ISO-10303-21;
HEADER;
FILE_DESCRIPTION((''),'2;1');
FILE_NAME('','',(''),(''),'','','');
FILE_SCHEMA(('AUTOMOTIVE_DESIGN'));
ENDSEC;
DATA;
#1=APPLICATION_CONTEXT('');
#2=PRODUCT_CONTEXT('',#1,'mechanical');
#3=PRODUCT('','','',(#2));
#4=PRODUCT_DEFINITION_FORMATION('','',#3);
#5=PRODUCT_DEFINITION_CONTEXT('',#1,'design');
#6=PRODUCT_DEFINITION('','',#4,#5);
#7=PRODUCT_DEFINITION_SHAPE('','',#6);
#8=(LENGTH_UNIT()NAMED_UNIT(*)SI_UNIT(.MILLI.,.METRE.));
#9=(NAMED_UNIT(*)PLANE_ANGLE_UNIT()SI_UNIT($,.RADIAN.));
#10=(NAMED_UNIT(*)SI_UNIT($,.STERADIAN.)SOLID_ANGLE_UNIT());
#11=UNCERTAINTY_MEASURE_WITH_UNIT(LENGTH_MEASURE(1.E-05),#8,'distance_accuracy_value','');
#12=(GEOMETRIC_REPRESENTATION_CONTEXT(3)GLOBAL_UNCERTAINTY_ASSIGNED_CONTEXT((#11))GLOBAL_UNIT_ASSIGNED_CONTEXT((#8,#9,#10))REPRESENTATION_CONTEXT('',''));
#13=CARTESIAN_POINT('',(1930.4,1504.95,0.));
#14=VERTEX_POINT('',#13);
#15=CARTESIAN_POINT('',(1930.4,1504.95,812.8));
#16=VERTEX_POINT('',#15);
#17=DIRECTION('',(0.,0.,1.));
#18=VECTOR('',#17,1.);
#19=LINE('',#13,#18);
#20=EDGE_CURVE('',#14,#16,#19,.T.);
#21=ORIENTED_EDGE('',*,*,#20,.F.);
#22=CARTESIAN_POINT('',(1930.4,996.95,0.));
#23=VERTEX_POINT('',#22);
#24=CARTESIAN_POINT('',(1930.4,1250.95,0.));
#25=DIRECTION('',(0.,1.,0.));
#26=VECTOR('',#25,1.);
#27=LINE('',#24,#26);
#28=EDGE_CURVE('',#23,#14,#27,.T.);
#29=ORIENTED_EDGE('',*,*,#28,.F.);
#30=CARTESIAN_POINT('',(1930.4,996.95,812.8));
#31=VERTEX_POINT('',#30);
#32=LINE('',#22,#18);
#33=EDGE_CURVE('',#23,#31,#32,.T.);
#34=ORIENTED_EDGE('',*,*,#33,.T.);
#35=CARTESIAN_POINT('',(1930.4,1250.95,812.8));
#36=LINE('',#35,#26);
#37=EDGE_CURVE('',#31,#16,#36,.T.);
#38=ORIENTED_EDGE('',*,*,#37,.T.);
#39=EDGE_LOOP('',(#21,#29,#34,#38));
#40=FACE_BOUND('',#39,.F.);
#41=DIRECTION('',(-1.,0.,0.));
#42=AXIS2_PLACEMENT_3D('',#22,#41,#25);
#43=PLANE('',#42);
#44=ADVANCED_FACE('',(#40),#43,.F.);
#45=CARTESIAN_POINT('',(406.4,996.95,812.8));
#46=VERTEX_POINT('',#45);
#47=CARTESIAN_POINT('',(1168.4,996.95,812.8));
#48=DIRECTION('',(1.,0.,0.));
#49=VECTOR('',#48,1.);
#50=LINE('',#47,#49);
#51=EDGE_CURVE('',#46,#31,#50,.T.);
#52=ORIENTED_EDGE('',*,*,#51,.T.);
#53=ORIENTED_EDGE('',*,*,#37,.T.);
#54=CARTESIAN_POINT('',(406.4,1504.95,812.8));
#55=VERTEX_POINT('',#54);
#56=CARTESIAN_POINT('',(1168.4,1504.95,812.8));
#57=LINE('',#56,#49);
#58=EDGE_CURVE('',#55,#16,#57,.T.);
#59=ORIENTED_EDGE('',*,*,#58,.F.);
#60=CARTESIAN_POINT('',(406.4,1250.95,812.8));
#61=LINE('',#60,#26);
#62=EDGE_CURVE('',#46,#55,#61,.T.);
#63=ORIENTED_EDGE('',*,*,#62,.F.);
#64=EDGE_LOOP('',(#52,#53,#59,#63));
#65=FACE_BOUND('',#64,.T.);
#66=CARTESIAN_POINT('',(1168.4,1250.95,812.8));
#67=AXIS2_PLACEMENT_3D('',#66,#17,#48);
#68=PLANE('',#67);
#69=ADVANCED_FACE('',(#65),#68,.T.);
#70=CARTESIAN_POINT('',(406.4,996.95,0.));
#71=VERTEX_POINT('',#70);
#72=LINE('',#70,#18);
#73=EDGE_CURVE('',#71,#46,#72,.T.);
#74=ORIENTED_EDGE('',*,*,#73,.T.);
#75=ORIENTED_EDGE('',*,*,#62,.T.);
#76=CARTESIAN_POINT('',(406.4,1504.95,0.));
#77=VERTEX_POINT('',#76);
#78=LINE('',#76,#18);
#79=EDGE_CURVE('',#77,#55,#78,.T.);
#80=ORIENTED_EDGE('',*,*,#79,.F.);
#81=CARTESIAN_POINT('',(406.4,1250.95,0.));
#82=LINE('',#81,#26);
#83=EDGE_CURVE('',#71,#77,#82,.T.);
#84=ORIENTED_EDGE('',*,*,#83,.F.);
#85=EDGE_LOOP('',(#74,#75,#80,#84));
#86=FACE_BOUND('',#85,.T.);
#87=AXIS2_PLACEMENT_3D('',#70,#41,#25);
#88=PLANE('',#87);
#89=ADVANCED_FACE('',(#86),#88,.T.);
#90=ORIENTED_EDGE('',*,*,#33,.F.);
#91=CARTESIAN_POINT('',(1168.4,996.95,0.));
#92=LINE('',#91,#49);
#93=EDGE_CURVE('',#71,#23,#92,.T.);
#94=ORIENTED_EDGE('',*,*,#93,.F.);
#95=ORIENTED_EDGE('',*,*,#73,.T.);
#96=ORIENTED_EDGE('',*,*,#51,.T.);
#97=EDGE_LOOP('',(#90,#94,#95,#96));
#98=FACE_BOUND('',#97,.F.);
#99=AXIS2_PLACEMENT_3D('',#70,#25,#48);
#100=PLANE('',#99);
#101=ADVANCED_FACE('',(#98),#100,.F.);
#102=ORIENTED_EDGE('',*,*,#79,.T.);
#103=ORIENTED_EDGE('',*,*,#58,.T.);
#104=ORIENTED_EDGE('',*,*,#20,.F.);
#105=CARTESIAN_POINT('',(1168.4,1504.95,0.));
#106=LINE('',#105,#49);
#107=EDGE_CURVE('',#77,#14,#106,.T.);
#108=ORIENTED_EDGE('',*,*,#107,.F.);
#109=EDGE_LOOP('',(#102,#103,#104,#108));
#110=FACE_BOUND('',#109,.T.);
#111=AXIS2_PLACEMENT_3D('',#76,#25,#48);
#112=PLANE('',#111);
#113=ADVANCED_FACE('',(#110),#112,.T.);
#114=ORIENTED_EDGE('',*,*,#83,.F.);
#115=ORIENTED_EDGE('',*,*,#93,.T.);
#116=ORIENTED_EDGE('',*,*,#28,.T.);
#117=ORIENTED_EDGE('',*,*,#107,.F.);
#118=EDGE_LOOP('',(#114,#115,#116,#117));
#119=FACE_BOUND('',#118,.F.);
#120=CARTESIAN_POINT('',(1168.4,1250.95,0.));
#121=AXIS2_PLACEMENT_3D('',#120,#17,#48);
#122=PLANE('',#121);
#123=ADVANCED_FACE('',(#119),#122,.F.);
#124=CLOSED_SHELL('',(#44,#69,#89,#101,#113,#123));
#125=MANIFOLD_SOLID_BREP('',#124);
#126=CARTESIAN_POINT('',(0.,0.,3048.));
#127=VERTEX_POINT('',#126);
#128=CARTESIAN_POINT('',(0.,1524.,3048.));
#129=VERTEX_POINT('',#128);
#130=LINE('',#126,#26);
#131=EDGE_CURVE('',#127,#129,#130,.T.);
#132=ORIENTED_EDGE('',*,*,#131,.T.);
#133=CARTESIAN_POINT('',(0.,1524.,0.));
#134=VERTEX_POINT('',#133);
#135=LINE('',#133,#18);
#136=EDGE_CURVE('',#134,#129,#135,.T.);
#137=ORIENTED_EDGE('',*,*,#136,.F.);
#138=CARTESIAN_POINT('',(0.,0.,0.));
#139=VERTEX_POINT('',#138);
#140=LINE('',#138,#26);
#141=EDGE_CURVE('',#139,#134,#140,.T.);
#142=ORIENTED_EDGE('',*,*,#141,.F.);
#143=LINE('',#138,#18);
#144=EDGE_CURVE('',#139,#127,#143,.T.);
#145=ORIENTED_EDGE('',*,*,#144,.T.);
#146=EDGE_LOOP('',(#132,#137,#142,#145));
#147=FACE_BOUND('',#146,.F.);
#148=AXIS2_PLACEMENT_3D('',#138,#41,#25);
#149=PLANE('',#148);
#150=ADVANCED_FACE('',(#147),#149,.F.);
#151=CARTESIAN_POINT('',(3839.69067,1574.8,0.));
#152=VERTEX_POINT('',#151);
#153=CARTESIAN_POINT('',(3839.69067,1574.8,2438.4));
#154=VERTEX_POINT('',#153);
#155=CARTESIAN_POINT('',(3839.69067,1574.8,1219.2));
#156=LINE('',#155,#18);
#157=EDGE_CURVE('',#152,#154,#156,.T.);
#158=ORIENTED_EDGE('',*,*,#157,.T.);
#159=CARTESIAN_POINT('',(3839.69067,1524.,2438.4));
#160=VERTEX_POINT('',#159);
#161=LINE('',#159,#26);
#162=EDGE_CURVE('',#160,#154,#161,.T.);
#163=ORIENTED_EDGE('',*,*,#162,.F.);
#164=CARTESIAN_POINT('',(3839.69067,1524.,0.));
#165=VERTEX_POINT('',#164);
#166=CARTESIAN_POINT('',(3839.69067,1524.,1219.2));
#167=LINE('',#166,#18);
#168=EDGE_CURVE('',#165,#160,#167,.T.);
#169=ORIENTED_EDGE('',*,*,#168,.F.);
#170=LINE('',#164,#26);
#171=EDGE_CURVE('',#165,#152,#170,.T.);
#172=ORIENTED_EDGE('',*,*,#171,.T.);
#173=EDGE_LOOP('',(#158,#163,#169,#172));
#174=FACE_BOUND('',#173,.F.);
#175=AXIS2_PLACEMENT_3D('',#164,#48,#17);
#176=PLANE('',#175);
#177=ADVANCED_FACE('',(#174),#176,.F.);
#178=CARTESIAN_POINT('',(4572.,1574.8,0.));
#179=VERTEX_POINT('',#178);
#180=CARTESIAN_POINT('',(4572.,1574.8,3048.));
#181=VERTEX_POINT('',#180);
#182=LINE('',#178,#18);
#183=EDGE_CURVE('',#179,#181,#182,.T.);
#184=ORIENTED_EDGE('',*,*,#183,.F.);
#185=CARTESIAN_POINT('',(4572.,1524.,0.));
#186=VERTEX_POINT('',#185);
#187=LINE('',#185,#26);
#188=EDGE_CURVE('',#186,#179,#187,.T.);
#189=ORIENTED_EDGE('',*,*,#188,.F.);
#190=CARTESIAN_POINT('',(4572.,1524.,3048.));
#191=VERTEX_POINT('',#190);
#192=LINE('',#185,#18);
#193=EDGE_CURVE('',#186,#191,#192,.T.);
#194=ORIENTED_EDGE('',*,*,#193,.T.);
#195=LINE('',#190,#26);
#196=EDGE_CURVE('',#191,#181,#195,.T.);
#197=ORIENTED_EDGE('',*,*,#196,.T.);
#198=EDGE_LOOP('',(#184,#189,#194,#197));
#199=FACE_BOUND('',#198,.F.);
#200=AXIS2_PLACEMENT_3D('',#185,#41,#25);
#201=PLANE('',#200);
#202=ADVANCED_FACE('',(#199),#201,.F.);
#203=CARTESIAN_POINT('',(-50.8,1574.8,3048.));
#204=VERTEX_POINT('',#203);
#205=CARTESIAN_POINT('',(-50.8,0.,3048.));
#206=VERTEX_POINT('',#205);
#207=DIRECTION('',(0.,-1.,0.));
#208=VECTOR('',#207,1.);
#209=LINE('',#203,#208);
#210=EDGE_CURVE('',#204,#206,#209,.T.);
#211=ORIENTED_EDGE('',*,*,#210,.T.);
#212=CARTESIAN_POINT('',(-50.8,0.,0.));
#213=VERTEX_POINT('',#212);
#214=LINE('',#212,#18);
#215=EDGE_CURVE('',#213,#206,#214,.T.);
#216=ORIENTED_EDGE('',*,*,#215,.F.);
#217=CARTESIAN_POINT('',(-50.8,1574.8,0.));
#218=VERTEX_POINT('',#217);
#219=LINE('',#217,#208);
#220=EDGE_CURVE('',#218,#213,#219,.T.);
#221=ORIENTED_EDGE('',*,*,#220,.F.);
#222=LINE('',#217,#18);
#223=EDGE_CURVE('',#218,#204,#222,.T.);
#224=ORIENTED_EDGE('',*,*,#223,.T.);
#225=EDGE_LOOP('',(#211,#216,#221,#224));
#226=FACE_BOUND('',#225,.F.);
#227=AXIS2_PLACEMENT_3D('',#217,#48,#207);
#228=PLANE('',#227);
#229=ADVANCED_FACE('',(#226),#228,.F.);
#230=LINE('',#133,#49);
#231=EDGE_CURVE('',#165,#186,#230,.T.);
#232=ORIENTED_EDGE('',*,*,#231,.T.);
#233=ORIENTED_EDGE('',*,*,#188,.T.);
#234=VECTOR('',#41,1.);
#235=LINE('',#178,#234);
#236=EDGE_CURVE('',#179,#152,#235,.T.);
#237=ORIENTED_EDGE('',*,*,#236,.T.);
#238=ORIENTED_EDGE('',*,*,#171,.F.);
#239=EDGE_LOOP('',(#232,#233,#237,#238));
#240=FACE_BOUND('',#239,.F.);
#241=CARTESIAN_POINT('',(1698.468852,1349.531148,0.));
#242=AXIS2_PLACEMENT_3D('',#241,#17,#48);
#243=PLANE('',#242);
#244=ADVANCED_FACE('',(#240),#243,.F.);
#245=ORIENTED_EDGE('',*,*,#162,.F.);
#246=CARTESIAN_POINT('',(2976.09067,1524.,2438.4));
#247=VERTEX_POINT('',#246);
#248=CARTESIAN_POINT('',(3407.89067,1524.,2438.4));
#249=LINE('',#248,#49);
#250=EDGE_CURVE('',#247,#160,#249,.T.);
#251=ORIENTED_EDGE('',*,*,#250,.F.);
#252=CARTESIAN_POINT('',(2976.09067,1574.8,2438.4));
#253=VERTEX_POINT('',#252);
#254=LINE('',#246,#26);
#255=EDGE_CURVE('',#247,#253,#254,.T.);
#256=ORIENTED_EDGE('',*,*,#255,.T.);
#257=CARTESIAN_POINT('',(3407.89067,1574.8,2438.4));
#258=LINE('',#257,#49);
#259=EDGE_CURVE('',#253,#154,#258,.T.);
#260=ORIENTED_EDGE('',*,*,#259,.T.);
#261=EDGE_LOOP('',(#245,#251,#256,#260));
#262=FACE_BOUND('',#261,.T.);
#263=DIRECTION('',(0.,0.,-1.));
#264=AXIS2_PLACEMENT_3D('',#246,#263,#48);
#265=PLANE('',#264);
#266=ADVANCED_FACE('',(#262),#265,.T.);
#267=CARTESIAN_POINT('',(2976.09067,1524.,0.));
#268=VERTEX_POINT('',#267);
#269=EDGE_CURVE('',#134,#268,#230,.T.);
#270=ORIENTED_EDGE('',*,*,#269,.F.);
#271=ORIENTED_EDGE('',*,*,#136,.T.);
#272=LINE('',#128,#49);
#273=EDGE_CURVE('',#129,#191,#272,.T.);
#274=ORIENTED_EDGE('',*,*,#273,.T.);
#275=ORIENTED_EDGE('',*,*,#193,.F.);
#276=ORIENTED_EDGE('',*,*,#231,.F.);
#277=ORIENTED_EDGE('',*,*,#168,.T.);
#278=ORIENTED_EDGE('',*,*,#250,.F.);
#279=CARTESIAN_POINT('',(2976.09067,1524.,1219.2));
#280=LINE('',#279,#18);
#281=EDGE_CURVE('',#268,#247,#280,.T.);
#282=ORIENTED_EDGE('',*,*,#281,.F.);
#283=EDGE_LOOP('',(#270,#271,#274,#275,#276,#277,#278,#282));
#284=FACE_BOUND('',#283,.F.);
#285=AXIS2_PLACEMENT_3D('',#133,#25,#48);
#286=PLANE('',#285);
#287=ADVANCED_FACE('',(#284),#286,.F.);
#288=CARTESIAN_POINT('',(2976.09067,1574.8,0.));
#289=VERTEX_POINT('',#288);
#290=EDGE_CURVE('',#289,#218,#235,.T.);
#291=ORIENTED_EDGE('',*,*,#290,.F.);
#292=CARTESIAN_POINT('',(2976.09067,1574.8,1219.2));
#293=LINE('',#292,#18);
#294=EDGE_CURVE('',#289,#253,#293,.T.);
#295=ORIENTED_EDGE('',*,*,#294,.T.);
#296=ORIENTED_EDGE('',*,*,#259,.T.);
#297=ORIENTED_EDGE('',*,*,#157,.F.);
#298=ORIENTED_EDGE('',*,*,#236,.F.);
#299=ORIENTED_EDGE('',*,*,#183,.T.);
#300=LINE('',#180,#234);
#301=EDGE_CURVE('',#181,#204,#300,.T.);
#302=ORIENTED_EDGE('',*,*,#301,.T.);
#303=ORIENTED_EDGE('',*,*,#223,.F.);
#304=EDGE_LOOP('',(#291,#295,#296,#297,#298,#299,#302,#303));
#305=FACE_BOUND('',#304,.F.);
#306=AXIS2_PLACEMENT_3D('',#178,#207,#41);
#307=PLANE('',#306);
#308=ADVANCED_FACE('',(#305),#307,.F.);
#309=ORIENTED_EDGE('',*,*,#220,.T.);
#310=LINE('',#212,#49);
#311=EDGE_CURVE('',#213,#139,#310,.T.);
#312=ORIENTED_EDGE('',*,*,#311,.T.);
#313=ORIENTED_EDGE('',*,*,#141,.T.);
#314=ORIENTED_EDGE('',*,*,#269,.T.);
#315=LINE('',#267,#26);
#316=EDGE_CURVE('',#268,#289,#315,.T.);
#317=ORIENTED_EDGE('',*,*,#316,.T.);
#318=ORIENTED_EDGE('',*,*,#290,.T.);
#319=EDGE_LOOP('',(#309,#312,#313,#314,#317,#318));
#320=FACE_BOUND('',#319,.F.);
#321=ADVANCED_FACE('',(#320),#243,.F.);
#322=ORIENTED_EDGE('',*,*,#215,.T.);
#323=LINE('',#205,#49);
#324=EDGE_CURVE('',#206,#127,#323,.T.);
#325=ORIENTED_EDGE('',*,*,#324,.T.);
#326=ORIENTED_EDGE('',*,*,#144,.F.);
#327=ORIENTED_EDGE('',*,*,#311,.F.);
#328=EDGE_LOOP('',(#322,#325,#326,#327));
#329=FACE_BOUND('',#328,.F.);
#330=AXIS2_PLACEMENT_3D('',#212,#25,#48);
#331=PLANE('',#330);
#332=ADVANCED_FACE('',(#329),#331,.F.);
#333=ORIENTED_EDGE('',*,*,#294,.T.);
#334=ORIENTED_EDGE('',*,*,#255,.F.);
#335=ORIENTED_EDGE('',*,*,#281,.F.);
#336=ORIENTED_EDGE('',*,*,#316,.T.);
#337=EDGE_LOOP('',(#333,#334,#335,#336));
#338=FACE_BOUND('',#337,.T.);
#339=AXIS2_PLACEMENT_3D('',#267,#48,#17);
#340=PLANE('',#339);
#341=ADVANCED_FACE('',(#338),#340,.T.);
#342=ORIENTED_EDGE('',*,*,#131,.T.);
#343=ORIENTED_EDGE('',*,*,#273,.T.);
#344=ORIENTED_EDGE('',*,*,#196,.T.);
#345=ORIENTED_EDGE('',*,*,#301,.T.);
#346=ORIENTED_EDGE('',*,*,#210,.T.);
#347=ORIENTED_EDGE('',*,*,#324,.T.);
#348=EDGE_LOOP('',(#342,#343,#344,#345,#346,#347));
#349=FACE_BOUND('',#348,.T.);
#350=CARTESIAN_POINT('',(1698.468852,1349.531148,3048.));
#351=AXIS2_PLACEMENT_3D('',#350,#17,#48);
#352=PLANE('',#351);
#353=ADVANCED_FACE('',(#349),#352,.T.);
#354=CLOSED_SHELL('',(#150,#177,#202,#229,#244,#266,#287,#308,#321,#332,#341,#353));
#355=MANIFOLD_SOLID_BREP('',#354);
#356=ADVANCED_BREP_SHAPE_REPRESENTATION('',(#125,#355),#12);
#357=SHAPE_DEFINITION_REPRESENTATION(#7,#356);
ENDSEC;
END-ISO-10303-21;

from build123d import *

# Parameters (mm, degrees)
F1_DEPTH = 3048
F2_W     = 1524
F2_H     = 508
F3_DEPTH = 812.8
F4_W     = 863.6
F4_H     = 2438.4
F5_DEPTH = 50.8


with BuildPart() as f1:
    # F0 (on Top) → F1 (new body)
    with BuildSketch(Plane.XY):
        Polygon((-50.8, 0), (0, 0), (0, 1524), (4572, 1524), (4572, 1574.8), (-50.8, 1574.8), align=None)
    extrude(amount=F1_DEPTH)

    # F4 (on face) → F5 (cut)
    with BuildSketch(Plane.XZ.offset(-1524)):
        with Locations((3407.89067, 1219.2)):
            Rectangle(F4_W, F4_H)
    extrude(amount=-F5_DEPTH, mode=Mode.SUBTRACT)


with BuildPart() as f3:
    # F2 (on Top) → F3 (new body)
    with BuildSketch(Plane.XY):
        with Locations((1168.4, 1250.95)):
            Rectangle(F2_W, F2_H)
    extrude(amount=F3_DEPTH)


solid = Compound([f1.part, f3.part])
